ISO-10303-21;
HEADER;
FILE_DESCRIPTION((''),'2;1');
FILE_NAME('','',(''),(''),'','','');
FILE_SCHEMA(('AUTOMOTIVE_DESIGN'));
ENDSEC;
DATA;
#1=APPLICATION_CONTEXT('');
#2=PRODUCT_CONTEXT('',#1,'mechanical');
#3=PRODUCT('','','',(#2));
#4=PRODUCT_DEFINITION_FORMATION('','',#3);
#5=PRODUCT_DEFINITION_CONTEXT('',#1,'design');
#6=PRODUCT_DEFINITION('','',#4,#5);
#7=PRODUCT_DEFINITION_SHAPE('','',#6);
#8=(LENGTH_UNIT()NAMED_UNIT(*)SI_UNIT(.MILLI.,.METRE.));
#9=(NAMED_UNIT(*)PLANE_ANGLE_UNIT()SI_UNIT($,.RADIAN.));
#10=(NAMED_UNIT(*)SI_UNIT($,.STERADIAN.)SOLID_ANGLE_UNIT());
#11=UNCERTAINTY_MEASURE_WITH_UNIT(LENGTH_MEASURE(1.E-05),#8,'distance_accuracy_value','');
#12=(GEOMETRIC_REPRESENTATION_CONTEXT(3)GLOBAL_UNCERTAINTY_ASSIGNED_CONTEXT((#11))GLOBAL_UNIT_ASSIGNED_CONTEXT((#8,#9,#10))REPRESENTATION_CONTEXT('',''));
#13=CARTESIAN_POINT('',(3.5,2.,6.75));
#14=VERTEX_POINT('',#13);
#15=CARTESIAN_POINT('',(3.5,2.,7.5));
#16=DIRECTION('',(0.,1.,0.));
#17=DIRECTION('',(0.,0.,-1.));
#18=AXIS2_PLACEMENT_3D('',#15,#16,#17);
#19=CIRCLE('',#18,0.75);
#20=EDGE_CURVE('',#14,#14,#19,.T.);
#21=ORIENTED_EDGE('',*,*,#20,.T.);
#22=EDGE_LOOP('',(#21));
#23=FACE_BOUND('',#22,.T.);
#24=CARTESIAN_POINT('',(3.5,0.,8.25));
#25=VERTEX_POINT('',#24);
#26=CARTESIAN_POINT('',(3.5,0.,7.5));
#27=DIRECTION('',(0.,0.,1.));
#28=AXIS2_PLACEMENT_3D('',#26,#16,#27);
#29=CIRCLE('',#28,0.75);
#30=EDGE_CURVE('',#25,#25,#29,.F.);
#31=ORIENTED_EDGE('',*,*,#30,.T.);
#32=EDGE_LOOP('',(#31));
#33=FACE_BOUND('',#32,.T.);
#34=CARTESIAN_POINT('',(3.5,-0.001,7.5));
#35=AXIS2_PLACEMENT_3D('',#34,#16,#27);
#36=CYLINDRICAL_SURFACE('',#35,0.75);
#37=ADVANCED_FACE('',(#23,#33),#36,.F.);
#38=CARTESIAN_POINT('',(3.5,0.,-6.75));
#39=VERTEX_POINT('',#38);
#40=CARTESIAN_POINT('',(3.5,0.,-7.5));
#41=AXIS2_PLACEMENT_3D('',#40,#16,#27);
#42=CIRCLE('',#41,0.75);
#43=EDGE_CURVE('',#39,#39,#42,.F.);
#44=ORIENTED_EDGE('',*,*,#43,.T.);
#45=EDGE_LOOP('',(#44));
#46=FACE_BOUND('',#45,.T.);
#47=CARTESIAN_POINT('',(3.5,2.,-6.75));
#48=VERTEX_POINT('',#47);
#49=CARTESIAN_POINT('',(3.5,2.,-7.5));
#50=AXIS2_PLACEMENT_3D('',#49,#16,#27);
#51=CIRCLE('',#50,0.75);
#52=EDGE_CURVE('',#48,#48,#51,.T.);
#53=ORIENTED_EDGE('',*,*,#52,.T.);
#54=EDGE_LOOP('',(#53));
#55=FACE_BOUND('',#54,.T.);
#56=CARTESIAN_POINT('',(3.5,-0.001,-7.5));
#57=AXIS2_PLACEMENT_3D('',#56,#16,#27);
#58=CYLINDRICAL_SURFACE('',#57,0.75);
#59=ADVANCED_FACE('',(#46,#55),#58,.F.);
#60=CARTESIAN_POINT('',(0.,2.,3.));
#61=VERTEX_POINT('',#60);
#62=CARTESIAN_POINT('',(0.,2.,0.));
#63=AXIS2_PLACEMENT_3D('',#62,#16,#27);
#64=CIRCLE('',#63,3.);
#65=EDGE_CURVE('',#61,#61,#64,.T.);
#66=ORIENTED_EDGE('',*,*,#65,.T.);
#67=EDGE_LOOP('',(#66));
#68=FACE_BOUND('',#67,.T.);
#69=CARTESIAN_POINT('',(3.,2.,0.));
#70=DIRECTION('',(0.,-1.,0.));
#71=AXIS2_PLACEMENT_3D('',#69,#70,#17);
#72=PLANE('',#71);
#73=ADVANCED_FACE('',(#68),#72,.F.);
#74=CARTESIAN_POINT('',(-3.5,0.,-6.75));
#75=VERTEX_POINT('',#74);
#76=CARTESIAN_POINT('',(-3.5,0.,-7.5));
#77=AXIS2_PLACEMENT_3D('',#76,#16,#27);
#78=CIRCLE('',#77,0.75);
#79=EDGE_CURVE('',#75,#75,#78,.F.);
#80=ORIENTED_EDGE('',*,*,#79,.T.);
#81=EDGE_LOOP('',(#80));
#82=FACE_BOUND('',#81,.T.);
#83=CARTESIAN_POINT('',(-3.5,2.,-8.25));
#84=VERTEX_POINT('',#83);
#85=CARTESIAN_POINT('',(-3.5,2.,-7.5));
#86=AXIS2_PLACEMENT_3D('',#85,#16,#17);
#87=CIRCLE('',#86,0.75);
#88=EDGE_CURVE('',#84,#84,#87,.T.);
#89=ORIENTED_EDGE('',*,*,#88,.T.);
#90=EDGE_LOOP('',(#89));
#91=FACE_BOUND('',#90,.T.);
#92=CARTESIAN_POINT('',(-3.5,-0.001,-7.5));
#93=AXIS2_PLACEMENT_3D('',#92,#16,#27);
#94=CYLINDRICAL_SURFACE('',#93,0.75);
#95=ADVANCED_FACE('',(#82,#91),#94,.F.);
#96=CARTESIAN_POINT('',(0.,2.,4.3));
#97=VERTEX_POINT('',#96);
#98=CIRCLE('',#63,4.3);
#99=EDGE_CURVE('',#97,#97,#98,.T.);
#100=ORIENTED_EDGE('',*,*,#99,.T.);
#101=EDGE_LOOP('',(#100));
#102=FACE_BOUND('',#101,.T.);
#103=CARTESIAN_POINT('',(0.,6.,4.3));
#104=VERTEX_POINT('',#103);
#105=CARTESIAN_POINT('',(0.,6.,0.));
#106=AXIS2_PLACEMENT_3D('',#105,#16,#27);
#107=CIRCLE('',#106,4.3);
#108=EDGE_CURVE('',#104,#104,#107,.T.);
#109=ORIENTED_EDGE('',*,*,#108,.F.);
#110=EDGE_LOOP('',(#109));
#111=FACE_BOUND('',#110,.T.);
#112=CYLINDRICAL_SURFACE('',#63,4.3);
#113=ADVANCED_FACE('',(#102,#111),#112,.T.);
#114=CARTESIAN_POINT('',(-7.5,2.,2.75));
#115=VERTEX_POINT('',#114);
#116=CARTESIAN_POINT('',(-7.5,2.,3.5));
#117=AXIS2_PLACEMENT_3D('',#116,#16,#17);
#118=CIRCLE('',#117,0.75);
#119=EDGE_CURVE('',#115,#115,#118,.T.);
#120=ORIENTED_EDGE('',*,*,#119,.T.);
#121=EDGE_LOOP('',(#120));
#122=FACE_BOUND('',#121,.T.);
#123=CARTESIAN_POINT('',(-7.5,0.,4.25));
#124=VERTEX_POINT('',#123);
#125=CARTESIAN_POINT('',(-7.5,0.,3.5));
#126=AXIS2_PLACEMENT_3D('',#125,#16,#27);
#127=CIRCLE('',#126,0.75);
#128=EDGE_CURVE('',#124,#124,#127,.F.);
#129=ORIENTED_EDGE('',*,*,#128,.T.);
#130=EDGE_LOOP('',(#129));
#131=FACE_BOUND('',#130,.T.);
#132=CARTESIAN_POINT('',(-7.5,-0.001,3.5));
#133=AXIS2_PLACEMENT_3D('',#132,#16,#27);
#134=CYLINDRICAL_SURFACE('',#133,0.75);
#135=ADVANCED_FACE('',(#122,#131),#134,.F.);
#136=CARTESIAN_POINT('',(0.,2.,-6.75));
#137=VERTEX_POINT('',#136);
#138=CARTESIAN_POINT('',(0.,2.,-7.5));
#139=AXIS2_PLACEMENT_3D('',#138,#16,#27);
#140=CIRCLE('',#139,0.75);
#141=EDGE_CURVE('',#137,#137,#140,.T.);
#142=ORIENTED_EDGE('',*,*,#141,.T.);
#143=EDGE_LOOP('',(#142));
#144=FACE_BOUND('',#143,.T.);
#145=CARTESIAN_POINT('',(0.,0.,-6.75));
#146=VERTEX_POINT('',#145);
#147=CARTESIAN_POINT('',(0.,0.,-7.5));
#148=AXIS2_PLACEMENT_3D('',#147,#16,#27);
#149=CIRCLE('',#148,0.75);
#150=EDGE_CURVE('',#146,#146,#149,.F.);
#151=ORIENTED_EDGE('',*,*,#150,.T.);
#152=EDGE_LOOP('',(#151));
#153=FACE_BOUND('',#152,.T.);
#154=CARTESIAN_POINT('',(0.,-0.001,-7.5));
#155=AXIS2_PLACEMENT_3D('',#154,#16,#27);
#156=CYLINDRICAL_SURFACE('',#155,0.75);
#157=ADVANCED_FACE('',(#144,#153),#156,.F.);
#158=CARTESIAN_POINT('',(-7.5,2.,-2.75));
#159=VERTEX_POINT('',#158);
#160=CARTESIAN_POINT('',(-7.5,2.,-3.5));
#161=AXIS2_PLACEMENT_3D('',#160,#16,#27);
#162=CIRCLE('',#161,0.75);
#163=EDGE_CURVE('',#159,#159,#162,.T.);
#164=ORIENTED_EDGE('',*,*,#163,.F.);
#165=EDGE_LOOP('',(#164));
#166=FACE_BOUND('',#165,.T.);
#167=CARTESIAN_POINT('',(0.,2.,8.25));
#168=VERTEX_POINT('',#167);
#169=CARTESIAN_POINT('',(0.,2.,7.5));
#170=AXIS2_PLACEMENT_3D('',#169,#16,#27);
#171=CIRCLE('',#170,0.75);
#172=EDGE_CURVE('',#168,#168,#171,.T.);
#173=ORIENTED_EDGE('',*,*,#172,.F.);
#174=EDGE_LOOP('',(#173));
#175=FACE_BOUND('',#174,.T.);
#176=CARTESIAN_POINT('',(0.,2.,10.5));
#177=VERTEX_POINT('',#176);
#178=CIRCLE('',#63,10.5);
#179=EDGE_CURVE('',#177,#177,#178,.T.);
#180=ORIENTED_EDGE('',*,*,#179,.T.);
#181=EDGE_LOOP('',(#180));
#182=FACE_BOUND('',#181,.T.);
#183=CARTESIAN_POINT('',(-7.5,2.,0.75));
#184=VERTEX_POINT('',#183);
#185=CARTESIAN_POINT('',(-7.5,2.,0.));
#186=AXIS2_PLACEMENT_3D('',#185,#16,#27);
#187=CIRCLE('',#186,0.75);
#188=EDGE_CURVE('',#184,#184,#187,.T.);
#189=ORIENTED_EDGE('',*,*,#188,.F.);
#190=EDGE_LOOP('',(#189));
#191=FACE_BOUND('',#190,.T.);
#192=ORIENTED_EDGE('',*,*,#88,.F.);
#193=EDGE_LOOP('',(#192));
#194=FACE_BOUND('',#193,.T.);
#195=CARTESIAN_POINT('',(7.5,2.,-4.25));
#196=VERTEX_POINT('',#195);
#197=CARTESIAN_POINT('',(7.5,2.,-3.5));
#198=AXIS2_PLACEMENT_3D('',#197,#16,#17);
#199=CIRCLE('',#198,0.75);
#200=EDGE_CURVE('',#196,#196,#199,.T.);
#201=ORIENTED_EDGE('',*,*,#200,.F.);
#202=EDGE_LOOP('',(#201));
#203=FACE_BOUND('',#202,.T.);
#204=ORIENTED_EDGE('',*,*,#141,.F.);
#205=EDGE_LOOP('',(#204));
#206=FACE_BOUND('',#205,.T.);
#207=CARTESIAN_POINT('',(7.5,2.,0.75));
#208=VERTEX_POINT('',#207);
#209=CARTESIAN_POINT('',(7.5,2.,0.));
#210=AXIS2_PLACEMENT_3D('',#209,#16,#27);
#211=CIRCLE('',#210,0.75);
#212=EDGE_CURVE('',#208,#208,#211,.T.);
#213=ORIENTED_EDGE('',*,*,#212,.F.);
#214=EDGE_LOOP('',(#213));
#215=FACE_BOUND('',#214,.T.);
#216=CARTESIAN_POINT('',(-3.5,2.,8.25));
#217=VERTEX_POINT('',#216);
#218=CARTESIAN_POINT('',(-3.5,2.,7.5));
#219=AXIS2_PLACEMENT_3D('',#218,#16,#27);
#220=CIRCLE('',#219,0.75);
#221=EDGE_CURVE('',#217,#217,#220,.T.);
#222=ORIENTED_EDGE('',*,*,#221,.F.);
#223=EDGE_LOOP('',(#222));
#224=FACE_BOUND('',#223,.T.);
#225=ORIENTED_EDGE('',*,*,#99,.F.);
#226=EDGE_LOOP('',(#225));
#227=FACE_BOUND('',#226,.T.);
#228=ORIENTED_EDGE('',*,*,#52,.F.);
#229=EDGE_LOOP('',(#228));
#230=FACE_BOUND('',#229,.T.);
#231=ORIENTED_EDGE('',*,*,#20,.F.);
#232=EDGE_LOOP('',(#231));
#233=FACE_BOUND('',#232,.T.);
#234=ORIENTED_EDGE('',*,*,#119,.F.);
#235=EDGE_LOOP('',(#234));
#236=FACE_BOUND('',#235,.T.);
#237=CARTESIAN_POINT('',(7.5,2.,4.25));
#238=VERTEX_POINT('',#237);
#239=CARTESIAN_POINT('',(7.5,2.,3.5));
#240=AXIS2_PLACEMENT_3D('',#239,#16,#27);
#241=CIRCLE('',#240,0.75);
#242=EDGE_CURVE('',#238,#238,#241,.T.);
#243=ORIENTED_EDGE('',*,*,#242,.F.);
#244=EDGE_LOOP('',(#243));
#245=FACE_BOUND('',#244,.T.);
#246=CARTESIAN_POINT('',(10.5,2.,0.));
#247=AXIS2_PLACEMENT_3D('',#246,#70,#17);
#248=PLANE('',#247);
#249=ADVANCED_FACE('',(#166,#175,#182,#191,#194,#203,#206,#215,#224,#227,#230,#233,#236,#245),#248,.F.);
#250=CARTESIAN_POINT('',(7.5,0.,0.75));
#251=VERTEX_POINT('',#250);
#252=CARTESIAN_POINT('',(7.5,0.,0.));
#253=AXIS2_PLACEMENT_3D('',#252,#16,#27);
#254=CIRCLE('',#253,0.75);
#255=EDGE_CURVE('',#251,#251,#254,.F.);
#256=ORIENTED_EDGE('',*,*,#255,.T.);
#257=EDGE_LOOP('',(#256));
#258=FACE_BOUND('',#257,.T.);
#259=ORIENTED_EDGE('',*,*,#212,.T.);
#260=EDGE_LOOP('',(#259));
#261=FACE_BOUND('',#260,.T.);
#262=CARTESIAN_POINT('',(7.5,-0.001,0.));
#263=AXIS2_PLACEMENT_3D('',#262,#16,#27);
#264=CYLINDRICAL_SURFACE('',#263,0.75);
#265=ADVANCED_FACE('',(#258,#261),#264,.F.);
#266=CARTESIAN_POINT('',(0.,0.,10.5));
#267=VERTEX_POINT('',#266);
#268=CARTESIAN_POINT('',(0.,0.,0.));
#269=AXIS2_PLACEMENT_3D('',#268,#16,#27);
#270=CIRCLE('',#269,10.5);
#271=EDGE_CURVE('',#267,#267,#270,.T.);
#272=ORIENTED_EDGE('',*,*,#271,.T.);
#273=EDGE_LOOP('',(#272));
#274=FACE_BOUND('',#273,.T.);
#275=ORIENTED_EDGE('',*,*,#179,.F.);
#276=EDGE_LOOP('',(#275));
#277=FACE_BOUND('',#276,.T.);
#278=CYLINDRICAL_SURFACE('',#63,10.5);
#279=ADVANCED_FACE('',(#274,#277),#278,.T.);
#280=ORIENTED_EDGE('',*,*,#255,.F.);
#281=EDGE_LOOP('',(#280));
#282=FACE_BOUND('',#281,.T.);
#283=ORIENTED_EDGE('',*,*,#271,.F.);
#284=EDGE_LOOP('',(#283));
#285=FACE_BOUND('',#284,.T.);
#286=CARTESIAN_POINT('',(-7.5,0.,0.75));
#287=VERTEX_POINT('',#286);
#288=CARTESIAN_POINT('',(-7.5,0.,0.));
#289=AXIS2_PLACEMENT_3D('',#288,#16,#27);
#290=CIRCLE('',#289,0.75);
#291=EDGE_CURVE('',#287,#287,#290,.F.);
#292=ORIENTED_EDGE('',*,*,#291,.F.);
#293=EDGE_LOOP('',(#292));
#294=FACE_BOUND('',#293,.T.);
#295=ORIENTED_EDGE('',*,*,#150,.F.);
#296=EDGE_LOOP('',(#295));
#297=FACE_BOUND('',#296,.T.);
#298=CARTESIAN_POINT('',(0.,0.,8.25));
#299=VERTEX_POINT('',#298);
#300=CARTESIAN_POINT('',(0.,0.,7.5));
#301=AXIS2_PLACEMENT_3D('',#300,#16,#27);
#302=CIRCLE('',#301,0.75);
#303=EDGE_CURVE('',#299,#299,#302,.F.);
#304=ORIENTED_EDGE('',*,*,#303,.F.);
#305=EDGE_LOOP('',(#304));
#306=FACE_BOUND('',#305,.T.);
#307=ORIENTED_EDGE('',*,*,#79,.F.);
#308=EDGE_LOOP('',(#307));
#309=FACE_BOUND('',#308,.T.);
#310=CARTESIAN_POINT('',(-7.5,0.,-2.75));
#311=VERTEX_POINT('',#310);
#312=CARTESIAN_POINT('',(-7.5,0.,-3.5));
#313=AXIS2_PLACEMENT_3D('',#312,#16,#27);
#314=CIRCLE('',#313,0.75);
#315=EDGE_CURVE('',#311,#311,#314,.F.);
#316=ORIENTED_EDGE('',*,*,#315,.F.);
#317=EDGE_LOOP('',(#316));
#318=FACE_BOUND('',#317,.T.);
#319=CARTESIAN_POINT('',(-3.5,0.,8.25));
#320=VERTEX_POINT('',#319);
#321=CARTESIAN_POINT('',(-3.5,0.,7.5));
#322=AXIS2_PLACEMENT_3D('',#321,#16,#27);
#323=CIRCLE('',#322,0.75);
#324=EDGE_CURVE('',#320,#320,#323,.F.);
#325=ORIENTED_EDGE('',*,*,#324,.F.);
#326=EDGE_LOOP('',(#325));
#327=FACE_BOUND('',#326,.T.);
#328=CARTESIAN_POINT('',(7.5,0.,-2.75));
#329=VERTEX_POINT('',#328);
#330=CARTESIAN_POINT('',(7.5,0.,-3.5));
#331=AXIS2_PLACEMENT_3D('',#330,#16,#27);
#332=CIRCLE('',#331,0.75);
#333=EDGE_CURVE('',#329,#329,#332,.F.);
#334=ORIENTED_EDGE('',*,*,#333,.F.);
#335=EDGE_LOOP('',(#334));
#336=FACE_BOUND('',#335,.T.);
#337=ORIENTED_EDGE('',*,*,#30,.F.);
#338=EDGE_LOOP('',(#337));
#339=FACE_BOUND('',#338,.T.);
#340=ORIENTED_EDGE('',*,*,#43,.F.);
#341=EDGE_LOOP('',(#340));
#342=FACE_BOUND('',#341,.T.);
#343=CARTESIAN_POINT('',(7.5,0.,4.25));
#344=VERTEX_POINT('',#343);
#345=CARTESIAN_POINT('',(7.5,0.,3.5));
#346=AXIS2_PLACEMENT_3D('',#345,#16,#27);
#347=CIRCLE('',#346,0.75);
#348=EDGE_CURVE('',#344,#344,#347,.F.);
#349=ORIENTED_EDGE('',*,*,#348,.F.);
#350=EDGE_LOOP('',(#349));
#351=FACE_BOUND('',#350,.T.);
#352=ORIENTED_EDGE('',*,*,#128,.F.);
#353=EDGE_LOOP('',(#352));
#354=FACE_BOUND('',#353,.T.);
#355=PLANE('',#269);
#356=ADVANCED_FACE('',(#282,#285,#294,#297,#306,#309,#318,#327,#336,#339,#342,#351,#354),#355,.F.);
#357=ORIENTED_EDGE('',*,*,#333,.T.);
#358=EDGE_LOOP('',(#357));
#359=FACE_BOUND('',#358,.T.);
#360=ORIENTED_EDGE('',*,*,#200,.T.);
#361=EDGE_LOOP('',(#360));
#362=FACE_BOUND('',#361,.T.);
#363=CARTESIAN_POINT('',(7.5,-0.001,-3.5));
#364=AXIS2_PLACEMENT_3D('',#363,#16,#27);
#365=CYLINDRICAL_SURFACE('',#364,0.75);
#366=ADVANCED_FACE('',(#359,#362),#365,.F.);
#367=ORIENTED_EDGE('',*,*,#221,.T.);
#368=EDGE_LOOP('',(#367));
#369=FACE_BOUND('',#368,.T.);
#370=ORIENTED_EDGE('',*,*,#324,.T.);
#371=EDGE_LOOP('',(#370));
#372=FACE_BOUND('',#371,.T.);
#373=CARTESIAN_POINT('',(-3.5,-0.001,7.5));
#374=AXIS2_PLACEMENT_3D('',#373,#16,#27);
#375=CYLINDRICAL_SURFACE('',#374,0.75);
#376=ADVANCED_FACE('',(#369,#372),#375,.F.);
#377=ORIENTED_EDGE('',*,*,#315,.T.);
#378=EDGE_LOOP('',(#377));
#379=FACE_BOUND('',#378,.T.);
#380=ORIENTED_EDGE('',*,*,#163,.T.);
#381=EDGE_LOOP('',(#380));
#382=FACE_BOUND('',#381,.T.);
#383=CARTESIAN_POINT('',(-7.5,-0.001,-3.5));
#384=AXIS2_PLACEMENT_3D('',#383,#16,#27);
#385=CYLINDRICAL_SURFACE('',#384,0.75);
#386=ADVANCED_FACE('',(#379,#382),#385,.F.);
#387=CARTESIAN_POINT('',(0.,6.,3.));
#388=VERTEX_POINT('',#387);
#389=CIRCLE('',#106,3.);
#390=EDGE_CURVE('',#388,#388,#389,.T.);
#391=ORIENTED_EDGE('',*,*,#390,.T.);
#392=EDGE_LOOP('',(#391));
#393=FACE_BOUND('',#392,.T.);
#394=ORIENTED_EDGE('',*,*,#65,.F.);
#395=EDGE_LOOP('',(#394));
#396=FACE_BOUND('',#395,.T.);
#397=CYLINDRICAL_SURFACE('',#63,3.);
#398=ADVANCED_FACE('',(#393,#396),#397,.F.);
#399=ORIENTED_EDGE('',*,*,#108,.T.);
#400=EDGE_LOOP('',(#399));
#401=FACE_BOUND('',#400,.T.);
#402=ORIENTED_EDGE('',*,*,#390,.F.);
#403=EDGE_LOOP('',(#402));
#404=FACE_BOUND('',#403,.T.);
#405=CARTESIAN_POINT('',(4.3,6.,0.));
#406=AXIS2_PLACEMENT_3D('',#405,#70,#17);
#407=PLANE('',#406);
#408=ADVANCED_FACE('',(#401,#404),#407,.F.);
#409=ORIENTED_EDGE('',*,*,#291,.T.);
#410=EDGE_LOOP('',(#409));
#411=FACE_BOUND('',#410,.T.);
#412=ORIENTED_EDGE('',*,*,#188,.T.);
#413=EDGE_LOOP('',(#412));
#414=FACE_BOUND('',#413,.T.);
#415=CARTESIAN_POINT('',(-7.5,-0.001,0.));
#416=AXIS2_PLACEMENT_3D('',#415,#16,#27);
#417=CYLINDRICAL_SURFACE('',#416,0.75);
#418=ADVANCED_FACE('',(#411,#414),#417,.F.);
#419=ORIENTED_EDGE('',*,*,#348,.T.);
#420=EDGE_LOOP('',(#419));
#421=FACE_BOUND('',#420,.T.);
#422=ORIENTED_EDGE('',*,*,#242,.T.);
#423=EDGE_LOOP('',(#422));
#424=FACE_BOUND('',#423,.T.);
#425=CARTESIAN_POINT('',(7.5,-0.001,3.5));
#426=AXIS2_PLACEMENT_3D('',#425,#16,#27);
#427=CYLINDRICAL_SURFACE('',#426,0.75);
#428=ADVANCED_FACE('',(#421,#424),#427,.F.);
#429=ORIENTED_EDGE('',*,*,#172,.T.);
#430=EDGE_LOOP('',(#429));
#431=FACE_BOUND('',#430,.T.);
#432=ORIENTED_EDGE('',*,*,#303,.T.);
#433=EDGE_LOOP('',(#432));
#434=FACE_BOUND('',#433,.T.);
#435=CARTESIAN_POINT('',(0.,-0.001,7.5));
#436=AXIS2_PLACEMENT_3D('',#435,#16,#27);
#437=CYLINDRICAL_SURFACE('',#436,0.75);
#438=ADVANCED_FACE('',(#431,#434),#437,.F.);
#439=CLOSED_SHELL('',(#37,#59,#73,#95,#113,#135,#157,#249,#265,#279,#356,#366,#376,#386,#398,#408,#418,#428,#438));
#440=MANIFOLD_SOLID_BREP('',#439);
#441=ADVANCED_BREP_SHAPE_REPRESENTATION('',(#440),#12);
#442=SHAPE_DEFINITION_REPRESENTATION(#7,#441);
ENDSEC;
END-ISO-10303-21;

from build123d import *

# Parameters (mm, degrees)
CUT_EXTRUDE_1_REACH = 4
SKETCH_2_R          = 0.75


with BuildPart() as part:
    # 草图1 → 旋转1 (revolve)
    with BuildSketch(Plane.XY):
        Polygon((0, 0), (10.5, 0), (10.5, 2), (4.3, 2), (4.3, 6), (3, 6), (3, 2), (0, 2), align=None)
    revolve(axis=Axis((0, 2, 0), (0, -1, 0)))

    # 草图2 → 切除-拉伸1 (cut, up to next)
    with BuildSketch(Plane(origin=(0, 2, 0), x_dir=(1, 0, 0), z_dir=(0, 1, 0)), mode=Mode.PRIVATE) as cut_extrude_1_sk1:
        with Locations((3.5, 7.5)):
            Circle(SKETCH_2_R)
    cut_extrude_1_tool1 = extrude(cut_extrude_1_sk1.sketch, amount=-CUT_EXTRUDE_1_REACH, mode=Mode.PRIVATE) & part.part
    add(cut_extrude_1_tool1.solids().sort_by_distance((3.5, 2, -7.5))[0], mode=Mode.SUBTRACT)
    # 草图2 → 切除-拉伸1 (cut, up to next)
    with BuildSketch(Plane(origin=(0, 2, 0), x_dir=(1, 0, 0), z_dir=(0, 1, 0)), mode=Mode.PRIVATE) as cut_extrude_1_sk2:
        with Locations((0, 7.5)):
            Circle(SKETCH_2_R)
    cut_extrude_1_tool2 = extrude(cut_extrude_1_sk2.sketch, amount=-CUT_EXTRUDE_1_REACH, mode=Mode.PRIVATE) & part.part
    add(cut_extrude_1_tool2.solids().sort_by_distance((0, 2, -7.5))[0], mode=Mode.SUBTRACT)
    # 草图2 → 切除-拉伸1 (cut, up to next)
    with BuildSketch(Plane(origin=(0, 2, 0), x_dir=(1, 0, 0), z_dir=(0, 1, 0)), mode=Mode.PRIVATE) as cut_extrude_1_sk3:
        with Locations((-3.5, 7.5)):
            Circle(SKETCH_2_R)
    cut_extrude_1_tool3 = extrude(cut_extrude_1_sk3.sketch, amount=-CUT_EXTRUDE_1_REACH, mode=Mode.PRIVATE) & part.part
    add(cut_extrude_1_tool3.solids().sort_by_distance((-3.5, 2, -7.5))[0], mode=Mode.SUBTRACT)
    # 草图2 → 切除-拉伸1 (cut, up to next)
    with BuildSketch(Plane(origin=(0, 2, 0), x_dir=(1, 0, 0), z_dir=(0, 1, 0)), mode=Mode.PRIVATE) as cut_extrude_1_sk4:
        with Locations((7.5, 3.5)):
            Circle(SKETCH_2_R)
    cut_extrude_1_tool4 = extrude(cut_extrude_1_sk4.sketch, amount=-CUT_EXTRUDE_1_REACH, mode=Mode.PRIVATE) & part.part
    add(cut_extrude_1_tool4.solids().sort_by_distance((7.5, 2, -3.5))[0], mode=Mode.SUBTRACT)
    # 草图2 → 切除-拉伸1 (cut, up to next)
    with BuildSketch(Plane(origin=(0, 2, 0), x_dir=(1, 0, 0), z_dir=(0, 1, 0)), mode=Mode.PRIVATE) as cut_extrude_1_sk5:
        with Locations((7.5, -3.5)):
            Circle(SKETCH_2_R)
    cut_extrude_1_tool5 = extrude(cut_extrude_1_sk5.sketch, amount=-CUT_EXTRUDE_1_REACH, mode=Mode.PRIVATE) & part.part
    add(cut_extrude_1_tool5.solids().sort_by_distance((7.5, 2, 3.5))[0], mode=Mode.SUBTRACT)
    # 草图2 → 切除-拉伸1 (cut, up to next)
    with BuildSketch(Plane(origin=(0, 2, 0), x_dir=(1, 0, 0), z_dir=(0, 1, 0)), mode=Mode.PRIVATE) as cut_extrude_1_sk6:
        with Locations((7.5, 0)):
            Circle(SKETCH_2_R)
    cut_extrude_1_tool6 = extrude(cut_extrude_1_sk6.sketch, amount=-CUT_EXTRUDE_1_REACH, mode=Mode.PRIVATE) & part.part
    add(cut_extrude_1_tool6.solids().sort_by_distance((7.5, 2, 0))[0], mode=Mode.SUBTRACT)
    # 草图2 → 切除-拉伸1 (cut, up to next)
    with BuildSketch(Plane(origin=(0, 2, 0), x_dir=(1, 0, 0), z_dir=(0, 1, 0)), mode=Mode.PRIVATE) as cut_extrude_1_sk7:
        with Locations((3.5, -7.5)):
            Circle(SKETCH_2_R)
    cut_extrude_1_tool7 = extrude(cut_extrude_1_sk7.sketch, amount=-CUT_EXTRUDE_1_REACH, mode=Mode.PRIVATE) & part.part
    add(cut_extrude_1_tool7.solids().sort_by_distance((3.5, 2, 7.5))[0], mode=Mode.SUBTRACT)
    # 草图2 → 切除-拉伸1 (cut, up to next)
    with BuildSketch(Plane(origin=(0, 2, 0), x_dir=(1, 0, 0), z_dir=(0, 1, 0)), mode=Mode.PRIVATE) as cut_extrude_1_sk8:
        with Locations((-3.5, -7.5)):
            Circle(SKETCH_2_R)
    cut_extrude_1_tool8 = extrude(cut_extrude_1_sk8.sketch, amount=-CUT_EXTRUDE_1_REACH, mode=Mode.PRIVATE) & part.part
    add(cut_extrude_1_tool8.solids().sort_by_distance((-3.5, 2, 7.5))[0], mode=Mode.SUBTRACT)
    # 草图2 → 切除-拉伸1 (cut, up to next)
    with BuildSketch(Plane(origin=(0, 2, 0), x_dir=(1, 0, 0), z_dir=(0, 1, 0)), mode=Mode.PRIVATE) as cut_extrude_1_sk9:
        with Locations((0, -7.5)):
            Circle(SKETCH_2_R)
    cut_extrude_1_tool9 = extrude(cut_extrude_1_sk9.sketch, amount=-CUT_EXTRUDE_1_REACH, mode=Mode.PRIVATE) & part.part
    add(cut_extrude_1_tool9.solids().sort_by_distance((0, 2, 7.5))[0], mode=Mode.SUBTRACT)
    # 草图2 → 切除-拉伸1 (cut, up to next)
    with BuildSketch(Plane(origin=(0, 2, 0), x_dir=(1, 0, 0), z_dir=(0, 1, 0)), mode=Mode.PRIVATE) as cut_extrude_1_sk10:
        with Locations((-7.5, -3.5)):
            Circle(SKETCH_2_R)
    cut_extrude_1_tool10 = extrude(cut_extrude_1_sk10.sketch, amount=-CUT_EXTRUDE_1_REACH, mode=Mode.PRIVATE) & part.part
    add(cut_extrude_1_tool10.solids().sort_by_distance((-7.5, 2, 3.5))[0], mode=Mode.SUBTRACT)
    # 草图2 → 切除-拉伸1 (cut, up to next)
    with BuildSketch(Plane(origin=(0, 2, 0), x_dir=(1, 0, 0), z_dir=(0, 1, 0)), mode=Mode.PRIVATE) as cut_extrude_1_sk11:
        with Locations((-7.5, 3.5)):
            Circle(SKETCH_2_R)
    cut_extrude_1_tool11 = extrude(cut_extrude_1_sk11.sketch, amount=-CUT_EXTRUDE_1_REACH, mode=Mode.PRIVATE) & part.part
    add(cut_extrude_1_tool11.solids().sort_by_distance((-7.5, 2, -3.5))[0], mode=Mode.SUBTRACT)
    # 草图2 → 切除-拉伸1 (cut, up to next)
    with BuildSketch(Plane(origin=(0, 2, 0), x_dir=(1, 0, 0), z_dir=(0, 1, 0)), mode=Mode.PRIVATE) as cut_extrude_1_sk12:
        with Locations((-7.5, 0)):
            Circle(SKETCH_2_R)
    cut_extrude_1_tool12 = extrude(cut_extrude_1_sk12.sketch, amount=-CUT_EXTRUDE_1_REACH, mode=Mode.PRIVATE) & part.part
    add(cut_extrude_1_tool12.solids().sort_by_distance((-7.5, 2, 0))[0], mode=Mode.SUBTRACT)


solid = part.part
